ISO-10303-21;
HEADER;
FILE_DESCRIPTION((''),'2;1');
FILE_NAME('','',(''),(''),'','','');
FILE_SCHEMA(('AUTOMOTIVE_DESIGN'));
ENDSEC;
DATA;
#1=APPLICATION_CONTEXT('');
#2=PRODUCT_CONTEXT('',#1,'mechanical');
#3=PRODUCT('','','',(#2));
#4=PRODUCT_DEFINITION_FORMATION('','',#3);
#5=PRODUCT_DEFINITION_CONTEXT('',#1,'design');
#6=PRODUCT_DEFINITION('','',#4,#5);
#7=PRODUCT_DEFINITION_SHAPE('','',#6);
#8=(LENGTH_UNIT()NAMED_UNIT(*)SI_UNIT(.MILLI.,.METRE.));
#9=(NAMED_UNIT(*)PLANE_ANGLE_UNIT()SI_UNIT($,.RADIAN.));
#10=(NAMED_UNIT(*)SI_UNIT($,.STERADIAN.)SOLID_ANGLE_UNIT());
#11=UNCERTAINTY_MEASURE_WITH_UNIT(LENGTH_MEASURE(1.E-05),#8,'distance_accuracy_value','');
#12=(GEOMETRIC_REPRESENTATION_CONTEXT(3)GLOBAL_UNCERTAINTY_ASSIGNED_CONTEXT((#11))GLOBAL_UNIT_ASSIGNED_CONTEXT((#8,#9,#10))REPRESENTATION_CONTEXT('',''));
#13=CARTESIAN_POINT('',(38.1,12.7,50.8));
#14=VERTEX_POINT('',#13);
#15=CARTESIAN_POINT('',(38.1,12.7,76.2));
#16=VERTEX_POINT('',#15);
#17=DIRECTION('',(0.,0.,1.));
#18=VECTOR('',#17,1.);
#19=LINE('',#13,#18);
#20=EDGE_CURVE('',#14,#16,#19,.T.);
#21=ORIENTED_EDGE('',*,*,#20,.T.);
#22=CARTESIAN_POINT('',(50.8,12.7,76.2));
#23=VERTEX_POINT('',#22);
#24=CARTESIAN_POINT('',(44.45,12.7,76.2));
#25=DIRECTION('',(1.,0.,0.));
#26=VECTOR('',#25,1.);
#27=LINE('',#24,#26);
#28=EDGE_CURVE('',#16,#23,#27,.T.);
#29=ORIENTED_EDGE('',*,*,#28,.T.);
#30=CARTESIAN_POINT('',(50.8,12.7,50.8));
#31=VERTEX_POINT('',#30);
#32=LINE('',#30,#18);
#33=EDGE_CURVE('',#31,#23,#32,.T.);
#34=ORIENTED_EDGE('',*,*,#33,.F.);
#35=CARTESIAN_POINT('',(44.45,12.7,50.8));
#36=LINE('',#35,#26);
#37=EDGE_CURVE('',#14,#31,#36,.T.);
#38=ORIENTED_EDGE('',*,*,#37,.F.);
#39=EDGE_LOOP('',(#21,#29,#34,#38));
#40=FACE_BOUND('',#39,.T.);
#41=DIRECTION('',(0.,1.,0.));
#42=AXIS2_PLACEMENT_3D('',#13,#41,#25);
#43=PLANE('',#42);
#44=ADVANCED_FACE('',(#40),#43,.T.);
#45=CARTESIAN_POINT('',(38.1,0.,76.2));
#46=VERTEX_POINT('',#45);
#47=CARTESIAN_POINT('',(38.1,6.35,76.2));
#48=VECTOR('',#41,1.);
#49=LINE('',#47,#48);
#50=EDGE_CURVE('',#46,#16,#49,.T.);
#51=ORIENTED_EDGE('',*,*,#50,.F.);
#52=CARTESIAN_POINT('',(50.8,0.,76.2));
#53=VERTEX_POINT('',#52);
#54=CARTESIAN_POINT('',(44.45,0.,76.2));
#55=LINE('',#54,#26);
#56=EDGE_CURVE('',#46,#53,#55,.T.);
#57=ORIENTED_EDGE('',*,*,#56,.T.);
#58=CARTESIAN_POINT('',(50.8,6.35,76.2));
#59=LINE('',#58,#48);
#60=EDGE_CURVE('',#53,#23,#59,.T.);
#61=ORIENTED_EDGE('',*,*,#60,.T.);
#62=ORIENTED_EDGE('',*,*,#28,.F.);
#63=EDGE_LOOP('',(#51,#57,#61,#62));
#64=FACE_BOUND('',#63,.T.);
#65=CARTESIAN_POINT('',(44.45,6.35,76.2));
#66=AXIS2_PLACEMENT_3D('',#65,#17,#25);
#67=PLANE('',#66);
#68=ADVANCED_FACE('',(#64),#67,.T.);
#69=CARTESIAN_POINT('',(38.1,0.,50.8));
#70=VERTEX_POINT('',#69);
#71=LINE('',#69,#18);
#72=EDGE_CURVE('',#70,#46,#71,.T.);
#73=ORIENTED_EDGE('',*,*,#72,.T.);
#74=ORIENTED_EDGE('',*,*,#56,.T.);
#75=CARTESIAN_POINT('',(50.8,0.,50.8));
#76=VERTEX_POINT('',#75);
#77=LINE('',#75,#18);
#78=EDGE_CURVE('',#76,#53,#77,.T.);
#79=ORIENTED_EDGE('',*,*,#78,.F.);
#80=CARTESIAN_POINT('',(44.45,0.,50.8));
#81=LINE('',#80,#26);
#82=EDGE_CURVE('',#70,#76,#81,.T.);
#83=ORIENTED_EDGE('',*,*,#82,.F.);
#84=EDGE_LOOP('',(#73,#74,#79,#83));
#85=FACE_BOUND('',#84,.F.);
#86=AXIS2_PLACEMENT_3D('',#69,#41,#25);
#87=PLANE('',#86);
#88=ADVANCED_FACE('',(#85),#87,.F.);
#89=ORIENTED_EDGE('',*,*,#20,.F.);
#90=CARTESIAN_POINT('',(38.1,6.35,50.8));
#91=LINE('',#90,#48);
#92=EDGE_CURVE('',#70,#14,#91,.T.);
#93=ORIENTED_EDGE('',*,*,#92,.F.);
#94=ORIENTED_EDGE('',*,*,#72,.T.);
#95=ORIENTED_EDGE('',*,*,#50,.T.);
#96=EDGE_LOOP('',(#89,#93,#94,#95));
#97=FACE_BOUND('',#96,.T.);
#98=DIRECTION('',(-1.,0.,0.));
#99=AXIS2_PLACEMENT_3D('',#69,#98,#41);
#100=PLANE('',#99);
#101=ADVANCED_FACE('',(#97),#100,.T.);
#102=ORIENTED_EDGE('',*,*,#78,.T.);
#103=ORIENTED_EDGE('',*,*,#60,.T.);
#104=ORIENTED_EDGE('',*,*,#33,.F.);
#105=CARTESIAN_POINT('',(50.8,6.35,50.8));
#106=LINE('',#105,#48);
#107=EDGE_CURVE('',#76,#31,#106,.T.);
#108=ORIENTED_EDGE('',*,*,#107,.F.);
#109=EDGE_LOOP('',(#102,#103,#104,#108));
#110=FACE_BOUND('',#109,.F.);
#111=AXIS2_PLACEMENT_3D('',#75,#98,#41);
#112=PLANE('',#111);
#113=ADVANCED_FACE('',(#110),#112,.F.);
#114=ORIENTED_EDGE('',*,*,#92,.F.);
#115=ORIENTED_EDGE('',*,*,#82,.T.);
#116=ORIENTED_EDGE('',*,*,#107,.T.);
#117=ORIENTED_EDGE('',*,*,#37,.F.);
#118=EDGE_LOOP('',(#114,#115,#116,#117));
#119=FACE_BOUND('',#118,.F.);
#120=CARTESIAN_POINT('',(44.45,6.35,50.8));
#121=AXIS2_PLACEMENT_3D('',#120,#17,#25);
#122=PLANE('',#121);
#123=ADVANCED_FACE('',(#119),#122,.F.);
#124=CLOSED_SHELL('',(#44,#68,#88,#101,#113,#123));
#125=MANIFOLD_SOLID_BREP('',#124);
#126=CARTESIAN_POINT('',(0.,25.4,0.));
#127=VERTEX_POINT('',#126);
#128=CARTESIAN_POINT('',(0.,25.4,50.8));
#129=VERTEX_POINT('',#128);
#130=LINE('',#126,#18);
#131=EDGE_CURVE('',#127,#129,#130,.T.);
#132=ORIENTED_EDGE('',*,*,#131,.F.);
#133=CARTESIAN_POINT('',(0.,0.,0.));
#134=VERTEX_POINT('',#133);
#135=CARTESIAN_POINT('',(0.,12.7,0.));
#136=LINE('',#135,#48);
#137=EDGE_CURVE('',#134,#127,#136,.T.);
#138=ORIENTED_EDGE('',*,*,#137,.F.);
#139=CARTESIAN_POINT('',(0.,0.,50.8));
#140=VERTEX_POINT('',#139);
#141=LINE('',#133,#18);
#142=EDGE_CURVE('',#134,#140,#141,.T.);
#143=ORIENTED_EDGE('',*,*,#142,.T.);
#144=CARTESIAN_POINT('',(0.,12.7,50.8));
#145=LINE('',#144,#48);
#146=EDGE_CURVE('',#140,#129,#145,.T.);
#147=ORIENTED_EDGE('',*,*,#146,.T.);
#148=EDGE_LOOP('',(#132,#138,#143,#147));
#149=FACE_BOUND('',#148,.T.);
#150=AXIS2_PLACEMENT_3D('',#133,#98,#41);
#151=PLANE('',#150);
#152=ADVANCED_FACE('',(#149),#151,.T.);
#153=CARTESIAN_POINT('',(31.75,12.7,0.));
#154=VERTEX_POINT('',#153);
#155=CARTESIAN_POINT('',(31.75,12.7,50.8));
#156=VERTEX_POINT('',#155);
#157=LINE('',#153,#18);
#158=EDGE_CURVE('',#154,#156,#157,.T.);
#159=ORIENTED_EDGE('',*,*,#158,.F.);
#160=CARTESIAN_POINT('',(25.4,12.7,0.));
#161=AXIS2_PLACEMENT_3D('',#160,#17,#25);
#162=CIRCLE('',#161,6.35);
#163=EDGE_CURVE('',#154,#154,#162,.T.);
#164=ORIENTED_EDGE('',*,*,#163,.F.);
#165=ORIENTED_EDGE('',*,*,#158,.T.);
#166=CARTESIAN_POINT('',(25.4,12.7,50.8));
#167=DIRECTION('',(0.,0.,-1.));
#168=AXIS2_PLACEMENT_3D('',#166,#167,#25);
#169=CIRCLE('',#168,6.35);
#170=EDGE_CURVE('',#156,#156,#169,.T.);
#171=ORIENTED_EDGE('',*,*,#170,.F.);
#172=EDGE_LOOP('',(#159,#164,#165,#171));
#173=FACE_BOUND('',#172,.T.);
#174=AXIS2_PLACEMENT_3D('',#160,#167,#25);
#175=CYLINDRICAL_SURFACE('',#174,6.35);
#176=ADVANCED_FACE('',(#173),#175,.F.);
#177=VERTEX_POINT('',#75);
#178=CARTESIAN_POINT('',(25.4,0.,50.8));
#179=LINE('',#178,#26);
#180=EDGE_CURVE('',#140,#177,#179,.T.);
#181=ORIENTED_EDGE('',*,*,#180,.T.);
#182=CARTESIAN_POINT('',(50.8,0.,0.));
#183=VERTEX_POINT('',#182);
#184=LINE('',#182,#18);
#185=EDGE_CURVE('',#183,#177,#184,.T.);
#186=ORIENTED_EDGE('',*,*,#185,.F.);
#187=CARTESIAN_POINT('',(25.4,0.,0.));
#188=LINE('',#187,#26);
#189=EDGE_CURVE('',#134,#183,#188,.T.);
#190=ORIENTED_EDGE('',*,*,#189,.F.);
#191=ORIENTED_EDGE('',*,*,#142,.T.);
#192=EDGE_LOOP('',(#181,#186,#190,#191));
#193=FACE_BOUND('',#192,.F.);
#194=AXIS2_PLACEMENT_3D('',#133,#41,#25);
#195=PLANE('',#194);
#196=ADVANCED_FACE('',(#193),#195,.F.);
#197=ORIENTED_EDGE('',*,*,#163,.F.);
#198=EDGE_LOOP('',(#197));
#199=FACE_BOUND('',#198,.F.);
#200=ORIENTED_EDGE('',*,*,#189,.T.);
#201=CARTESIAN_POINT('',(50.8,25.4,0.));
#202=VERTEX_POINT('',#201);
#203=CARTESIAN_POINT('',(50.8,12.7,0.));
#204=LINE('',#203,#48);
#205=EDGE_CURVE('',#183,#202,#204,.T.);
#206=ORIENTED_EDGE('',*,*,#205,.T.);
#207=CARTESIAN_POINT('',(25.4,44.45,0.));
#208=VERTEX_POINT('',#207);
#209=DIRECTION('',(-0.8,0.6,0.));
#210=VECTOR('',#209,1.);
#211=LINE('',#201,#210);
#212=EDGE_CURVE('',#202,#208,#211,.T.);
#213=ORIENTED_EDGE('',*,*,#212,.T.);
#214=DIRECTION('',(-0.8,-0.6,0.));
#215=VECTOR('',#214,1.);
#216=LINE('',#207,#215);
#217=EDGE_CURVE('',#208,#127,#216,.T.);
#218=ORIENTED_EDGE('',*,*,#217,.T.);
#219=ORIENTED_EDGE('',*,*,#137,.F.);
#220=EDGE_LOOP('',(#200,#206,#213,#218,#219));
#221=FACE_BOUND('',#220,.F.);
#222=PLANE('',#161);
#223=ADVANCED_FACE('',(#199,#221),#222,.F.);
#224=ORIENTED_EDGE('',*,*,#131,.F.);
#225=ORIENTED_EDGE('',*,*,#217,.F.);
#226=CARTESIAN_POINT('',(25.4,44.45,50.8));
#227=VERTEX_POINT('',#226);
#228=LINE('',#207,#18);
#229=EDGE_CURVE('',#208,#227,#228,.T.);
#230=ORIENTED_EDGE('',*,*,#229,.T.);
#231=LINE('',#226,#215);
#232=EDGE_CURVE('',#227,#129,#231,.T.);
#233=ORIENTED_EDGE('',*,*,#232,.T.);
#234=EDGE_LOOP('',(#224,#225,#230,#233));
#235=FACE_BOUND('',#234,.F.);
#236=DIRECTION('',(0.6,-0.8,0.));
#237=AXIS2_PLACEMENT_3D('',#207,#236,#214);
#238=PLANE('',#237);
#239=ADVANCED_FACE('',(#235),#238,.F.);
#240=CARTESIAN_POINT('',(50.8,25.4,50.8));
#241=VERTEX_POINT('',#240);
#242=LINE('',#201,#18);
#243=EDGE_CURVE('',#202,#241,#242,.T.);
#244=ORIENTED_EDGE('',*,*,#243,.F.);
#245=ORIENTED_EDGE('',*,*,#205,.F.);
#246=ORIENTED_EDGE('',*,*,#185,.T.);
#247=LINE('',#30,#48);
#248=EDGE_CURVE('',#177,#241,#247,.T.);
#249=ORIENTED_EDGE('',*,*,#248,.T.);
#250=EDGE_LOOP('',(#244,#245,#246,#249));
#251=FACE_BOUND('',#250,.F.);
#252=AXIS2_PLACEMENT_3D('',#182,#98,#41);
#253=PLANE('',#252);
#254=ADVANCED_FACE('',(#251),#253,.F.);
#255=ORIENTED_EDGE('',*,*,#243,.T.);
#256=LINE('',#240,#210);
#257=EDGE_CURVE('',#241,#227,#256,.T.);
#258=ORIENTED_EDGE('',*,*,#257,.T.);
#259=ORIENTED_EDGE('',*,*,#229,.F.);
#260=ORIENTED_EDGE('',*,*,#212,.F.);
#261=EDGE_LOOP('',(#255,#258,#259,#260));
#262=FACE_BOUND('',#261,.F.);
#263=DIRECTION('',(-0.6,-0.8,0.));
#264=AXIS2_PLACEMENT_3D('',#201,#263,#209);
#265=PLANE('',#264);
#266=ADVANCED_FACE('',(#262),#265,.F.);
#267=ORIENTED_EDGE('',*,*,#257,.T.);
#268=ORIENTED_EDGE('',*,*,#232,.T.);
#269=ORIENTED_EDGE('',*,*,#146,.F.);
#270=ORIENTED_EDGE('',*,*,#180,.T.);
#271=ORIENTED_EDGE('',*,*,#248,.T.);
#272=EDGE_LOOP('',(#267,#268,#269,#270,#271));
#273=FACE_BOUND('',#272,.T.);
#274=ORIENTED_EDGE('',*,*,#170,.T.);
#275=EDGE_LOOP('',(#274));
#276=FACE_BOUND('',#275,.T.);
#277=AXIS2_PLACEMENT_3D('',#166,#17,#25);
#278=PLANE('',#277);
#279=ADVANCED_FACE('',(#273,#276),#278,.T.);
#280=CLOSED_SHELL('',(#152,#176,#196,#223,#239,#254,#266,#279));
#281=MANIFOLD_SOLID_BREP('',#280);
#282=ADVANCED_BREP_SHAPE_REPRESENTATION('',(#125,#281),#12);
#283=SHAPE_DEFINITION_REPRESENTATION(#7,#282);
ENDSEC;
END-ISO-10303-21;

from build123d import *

# Parameters (mm, degrees)
F0_W     = 50.8
F0_H     = 25.4
F1_DEPTH = 50.8
F2_R     = 6.35
F3_DEPTH = 50.801
F4_W     = 12.7
F4_H     = 12.7
F5_DEPTH = 25.4


with BuildPart() as f1:
    # F0 (on Top) → F1 (new body)
    with BuildSketch(Plane.XY):
        with Locations((25.4, 12.7)):
            Rectangle(F0_W, F0_H)
        Polygon((25.4, 44.45), (0, 25.4), (50.8, 25.4), align=None)
    extrude(amount=F1_DEPTH)

    # F2 (on Top) → F3 (cut, through all)
    with BuildSketch(Plane.XY):
        with Locations((25.4, 12.7)):
            Circle(F2_R)
    extrude(amount=F3_DEPTH, mode=Mode.SUBTRACT)


with BuildPart() as f5:
    # F4 (on face) → F5 (new body)
    with BuildSketch(Plane.XY.offset(50.8)):
        with Locations((44.45, 6.35)):
            Rectangle(F4_W, F4_H)
    extrude(amount=F5_DEPTH)


solid = Compound([f1.part, f5.part])
